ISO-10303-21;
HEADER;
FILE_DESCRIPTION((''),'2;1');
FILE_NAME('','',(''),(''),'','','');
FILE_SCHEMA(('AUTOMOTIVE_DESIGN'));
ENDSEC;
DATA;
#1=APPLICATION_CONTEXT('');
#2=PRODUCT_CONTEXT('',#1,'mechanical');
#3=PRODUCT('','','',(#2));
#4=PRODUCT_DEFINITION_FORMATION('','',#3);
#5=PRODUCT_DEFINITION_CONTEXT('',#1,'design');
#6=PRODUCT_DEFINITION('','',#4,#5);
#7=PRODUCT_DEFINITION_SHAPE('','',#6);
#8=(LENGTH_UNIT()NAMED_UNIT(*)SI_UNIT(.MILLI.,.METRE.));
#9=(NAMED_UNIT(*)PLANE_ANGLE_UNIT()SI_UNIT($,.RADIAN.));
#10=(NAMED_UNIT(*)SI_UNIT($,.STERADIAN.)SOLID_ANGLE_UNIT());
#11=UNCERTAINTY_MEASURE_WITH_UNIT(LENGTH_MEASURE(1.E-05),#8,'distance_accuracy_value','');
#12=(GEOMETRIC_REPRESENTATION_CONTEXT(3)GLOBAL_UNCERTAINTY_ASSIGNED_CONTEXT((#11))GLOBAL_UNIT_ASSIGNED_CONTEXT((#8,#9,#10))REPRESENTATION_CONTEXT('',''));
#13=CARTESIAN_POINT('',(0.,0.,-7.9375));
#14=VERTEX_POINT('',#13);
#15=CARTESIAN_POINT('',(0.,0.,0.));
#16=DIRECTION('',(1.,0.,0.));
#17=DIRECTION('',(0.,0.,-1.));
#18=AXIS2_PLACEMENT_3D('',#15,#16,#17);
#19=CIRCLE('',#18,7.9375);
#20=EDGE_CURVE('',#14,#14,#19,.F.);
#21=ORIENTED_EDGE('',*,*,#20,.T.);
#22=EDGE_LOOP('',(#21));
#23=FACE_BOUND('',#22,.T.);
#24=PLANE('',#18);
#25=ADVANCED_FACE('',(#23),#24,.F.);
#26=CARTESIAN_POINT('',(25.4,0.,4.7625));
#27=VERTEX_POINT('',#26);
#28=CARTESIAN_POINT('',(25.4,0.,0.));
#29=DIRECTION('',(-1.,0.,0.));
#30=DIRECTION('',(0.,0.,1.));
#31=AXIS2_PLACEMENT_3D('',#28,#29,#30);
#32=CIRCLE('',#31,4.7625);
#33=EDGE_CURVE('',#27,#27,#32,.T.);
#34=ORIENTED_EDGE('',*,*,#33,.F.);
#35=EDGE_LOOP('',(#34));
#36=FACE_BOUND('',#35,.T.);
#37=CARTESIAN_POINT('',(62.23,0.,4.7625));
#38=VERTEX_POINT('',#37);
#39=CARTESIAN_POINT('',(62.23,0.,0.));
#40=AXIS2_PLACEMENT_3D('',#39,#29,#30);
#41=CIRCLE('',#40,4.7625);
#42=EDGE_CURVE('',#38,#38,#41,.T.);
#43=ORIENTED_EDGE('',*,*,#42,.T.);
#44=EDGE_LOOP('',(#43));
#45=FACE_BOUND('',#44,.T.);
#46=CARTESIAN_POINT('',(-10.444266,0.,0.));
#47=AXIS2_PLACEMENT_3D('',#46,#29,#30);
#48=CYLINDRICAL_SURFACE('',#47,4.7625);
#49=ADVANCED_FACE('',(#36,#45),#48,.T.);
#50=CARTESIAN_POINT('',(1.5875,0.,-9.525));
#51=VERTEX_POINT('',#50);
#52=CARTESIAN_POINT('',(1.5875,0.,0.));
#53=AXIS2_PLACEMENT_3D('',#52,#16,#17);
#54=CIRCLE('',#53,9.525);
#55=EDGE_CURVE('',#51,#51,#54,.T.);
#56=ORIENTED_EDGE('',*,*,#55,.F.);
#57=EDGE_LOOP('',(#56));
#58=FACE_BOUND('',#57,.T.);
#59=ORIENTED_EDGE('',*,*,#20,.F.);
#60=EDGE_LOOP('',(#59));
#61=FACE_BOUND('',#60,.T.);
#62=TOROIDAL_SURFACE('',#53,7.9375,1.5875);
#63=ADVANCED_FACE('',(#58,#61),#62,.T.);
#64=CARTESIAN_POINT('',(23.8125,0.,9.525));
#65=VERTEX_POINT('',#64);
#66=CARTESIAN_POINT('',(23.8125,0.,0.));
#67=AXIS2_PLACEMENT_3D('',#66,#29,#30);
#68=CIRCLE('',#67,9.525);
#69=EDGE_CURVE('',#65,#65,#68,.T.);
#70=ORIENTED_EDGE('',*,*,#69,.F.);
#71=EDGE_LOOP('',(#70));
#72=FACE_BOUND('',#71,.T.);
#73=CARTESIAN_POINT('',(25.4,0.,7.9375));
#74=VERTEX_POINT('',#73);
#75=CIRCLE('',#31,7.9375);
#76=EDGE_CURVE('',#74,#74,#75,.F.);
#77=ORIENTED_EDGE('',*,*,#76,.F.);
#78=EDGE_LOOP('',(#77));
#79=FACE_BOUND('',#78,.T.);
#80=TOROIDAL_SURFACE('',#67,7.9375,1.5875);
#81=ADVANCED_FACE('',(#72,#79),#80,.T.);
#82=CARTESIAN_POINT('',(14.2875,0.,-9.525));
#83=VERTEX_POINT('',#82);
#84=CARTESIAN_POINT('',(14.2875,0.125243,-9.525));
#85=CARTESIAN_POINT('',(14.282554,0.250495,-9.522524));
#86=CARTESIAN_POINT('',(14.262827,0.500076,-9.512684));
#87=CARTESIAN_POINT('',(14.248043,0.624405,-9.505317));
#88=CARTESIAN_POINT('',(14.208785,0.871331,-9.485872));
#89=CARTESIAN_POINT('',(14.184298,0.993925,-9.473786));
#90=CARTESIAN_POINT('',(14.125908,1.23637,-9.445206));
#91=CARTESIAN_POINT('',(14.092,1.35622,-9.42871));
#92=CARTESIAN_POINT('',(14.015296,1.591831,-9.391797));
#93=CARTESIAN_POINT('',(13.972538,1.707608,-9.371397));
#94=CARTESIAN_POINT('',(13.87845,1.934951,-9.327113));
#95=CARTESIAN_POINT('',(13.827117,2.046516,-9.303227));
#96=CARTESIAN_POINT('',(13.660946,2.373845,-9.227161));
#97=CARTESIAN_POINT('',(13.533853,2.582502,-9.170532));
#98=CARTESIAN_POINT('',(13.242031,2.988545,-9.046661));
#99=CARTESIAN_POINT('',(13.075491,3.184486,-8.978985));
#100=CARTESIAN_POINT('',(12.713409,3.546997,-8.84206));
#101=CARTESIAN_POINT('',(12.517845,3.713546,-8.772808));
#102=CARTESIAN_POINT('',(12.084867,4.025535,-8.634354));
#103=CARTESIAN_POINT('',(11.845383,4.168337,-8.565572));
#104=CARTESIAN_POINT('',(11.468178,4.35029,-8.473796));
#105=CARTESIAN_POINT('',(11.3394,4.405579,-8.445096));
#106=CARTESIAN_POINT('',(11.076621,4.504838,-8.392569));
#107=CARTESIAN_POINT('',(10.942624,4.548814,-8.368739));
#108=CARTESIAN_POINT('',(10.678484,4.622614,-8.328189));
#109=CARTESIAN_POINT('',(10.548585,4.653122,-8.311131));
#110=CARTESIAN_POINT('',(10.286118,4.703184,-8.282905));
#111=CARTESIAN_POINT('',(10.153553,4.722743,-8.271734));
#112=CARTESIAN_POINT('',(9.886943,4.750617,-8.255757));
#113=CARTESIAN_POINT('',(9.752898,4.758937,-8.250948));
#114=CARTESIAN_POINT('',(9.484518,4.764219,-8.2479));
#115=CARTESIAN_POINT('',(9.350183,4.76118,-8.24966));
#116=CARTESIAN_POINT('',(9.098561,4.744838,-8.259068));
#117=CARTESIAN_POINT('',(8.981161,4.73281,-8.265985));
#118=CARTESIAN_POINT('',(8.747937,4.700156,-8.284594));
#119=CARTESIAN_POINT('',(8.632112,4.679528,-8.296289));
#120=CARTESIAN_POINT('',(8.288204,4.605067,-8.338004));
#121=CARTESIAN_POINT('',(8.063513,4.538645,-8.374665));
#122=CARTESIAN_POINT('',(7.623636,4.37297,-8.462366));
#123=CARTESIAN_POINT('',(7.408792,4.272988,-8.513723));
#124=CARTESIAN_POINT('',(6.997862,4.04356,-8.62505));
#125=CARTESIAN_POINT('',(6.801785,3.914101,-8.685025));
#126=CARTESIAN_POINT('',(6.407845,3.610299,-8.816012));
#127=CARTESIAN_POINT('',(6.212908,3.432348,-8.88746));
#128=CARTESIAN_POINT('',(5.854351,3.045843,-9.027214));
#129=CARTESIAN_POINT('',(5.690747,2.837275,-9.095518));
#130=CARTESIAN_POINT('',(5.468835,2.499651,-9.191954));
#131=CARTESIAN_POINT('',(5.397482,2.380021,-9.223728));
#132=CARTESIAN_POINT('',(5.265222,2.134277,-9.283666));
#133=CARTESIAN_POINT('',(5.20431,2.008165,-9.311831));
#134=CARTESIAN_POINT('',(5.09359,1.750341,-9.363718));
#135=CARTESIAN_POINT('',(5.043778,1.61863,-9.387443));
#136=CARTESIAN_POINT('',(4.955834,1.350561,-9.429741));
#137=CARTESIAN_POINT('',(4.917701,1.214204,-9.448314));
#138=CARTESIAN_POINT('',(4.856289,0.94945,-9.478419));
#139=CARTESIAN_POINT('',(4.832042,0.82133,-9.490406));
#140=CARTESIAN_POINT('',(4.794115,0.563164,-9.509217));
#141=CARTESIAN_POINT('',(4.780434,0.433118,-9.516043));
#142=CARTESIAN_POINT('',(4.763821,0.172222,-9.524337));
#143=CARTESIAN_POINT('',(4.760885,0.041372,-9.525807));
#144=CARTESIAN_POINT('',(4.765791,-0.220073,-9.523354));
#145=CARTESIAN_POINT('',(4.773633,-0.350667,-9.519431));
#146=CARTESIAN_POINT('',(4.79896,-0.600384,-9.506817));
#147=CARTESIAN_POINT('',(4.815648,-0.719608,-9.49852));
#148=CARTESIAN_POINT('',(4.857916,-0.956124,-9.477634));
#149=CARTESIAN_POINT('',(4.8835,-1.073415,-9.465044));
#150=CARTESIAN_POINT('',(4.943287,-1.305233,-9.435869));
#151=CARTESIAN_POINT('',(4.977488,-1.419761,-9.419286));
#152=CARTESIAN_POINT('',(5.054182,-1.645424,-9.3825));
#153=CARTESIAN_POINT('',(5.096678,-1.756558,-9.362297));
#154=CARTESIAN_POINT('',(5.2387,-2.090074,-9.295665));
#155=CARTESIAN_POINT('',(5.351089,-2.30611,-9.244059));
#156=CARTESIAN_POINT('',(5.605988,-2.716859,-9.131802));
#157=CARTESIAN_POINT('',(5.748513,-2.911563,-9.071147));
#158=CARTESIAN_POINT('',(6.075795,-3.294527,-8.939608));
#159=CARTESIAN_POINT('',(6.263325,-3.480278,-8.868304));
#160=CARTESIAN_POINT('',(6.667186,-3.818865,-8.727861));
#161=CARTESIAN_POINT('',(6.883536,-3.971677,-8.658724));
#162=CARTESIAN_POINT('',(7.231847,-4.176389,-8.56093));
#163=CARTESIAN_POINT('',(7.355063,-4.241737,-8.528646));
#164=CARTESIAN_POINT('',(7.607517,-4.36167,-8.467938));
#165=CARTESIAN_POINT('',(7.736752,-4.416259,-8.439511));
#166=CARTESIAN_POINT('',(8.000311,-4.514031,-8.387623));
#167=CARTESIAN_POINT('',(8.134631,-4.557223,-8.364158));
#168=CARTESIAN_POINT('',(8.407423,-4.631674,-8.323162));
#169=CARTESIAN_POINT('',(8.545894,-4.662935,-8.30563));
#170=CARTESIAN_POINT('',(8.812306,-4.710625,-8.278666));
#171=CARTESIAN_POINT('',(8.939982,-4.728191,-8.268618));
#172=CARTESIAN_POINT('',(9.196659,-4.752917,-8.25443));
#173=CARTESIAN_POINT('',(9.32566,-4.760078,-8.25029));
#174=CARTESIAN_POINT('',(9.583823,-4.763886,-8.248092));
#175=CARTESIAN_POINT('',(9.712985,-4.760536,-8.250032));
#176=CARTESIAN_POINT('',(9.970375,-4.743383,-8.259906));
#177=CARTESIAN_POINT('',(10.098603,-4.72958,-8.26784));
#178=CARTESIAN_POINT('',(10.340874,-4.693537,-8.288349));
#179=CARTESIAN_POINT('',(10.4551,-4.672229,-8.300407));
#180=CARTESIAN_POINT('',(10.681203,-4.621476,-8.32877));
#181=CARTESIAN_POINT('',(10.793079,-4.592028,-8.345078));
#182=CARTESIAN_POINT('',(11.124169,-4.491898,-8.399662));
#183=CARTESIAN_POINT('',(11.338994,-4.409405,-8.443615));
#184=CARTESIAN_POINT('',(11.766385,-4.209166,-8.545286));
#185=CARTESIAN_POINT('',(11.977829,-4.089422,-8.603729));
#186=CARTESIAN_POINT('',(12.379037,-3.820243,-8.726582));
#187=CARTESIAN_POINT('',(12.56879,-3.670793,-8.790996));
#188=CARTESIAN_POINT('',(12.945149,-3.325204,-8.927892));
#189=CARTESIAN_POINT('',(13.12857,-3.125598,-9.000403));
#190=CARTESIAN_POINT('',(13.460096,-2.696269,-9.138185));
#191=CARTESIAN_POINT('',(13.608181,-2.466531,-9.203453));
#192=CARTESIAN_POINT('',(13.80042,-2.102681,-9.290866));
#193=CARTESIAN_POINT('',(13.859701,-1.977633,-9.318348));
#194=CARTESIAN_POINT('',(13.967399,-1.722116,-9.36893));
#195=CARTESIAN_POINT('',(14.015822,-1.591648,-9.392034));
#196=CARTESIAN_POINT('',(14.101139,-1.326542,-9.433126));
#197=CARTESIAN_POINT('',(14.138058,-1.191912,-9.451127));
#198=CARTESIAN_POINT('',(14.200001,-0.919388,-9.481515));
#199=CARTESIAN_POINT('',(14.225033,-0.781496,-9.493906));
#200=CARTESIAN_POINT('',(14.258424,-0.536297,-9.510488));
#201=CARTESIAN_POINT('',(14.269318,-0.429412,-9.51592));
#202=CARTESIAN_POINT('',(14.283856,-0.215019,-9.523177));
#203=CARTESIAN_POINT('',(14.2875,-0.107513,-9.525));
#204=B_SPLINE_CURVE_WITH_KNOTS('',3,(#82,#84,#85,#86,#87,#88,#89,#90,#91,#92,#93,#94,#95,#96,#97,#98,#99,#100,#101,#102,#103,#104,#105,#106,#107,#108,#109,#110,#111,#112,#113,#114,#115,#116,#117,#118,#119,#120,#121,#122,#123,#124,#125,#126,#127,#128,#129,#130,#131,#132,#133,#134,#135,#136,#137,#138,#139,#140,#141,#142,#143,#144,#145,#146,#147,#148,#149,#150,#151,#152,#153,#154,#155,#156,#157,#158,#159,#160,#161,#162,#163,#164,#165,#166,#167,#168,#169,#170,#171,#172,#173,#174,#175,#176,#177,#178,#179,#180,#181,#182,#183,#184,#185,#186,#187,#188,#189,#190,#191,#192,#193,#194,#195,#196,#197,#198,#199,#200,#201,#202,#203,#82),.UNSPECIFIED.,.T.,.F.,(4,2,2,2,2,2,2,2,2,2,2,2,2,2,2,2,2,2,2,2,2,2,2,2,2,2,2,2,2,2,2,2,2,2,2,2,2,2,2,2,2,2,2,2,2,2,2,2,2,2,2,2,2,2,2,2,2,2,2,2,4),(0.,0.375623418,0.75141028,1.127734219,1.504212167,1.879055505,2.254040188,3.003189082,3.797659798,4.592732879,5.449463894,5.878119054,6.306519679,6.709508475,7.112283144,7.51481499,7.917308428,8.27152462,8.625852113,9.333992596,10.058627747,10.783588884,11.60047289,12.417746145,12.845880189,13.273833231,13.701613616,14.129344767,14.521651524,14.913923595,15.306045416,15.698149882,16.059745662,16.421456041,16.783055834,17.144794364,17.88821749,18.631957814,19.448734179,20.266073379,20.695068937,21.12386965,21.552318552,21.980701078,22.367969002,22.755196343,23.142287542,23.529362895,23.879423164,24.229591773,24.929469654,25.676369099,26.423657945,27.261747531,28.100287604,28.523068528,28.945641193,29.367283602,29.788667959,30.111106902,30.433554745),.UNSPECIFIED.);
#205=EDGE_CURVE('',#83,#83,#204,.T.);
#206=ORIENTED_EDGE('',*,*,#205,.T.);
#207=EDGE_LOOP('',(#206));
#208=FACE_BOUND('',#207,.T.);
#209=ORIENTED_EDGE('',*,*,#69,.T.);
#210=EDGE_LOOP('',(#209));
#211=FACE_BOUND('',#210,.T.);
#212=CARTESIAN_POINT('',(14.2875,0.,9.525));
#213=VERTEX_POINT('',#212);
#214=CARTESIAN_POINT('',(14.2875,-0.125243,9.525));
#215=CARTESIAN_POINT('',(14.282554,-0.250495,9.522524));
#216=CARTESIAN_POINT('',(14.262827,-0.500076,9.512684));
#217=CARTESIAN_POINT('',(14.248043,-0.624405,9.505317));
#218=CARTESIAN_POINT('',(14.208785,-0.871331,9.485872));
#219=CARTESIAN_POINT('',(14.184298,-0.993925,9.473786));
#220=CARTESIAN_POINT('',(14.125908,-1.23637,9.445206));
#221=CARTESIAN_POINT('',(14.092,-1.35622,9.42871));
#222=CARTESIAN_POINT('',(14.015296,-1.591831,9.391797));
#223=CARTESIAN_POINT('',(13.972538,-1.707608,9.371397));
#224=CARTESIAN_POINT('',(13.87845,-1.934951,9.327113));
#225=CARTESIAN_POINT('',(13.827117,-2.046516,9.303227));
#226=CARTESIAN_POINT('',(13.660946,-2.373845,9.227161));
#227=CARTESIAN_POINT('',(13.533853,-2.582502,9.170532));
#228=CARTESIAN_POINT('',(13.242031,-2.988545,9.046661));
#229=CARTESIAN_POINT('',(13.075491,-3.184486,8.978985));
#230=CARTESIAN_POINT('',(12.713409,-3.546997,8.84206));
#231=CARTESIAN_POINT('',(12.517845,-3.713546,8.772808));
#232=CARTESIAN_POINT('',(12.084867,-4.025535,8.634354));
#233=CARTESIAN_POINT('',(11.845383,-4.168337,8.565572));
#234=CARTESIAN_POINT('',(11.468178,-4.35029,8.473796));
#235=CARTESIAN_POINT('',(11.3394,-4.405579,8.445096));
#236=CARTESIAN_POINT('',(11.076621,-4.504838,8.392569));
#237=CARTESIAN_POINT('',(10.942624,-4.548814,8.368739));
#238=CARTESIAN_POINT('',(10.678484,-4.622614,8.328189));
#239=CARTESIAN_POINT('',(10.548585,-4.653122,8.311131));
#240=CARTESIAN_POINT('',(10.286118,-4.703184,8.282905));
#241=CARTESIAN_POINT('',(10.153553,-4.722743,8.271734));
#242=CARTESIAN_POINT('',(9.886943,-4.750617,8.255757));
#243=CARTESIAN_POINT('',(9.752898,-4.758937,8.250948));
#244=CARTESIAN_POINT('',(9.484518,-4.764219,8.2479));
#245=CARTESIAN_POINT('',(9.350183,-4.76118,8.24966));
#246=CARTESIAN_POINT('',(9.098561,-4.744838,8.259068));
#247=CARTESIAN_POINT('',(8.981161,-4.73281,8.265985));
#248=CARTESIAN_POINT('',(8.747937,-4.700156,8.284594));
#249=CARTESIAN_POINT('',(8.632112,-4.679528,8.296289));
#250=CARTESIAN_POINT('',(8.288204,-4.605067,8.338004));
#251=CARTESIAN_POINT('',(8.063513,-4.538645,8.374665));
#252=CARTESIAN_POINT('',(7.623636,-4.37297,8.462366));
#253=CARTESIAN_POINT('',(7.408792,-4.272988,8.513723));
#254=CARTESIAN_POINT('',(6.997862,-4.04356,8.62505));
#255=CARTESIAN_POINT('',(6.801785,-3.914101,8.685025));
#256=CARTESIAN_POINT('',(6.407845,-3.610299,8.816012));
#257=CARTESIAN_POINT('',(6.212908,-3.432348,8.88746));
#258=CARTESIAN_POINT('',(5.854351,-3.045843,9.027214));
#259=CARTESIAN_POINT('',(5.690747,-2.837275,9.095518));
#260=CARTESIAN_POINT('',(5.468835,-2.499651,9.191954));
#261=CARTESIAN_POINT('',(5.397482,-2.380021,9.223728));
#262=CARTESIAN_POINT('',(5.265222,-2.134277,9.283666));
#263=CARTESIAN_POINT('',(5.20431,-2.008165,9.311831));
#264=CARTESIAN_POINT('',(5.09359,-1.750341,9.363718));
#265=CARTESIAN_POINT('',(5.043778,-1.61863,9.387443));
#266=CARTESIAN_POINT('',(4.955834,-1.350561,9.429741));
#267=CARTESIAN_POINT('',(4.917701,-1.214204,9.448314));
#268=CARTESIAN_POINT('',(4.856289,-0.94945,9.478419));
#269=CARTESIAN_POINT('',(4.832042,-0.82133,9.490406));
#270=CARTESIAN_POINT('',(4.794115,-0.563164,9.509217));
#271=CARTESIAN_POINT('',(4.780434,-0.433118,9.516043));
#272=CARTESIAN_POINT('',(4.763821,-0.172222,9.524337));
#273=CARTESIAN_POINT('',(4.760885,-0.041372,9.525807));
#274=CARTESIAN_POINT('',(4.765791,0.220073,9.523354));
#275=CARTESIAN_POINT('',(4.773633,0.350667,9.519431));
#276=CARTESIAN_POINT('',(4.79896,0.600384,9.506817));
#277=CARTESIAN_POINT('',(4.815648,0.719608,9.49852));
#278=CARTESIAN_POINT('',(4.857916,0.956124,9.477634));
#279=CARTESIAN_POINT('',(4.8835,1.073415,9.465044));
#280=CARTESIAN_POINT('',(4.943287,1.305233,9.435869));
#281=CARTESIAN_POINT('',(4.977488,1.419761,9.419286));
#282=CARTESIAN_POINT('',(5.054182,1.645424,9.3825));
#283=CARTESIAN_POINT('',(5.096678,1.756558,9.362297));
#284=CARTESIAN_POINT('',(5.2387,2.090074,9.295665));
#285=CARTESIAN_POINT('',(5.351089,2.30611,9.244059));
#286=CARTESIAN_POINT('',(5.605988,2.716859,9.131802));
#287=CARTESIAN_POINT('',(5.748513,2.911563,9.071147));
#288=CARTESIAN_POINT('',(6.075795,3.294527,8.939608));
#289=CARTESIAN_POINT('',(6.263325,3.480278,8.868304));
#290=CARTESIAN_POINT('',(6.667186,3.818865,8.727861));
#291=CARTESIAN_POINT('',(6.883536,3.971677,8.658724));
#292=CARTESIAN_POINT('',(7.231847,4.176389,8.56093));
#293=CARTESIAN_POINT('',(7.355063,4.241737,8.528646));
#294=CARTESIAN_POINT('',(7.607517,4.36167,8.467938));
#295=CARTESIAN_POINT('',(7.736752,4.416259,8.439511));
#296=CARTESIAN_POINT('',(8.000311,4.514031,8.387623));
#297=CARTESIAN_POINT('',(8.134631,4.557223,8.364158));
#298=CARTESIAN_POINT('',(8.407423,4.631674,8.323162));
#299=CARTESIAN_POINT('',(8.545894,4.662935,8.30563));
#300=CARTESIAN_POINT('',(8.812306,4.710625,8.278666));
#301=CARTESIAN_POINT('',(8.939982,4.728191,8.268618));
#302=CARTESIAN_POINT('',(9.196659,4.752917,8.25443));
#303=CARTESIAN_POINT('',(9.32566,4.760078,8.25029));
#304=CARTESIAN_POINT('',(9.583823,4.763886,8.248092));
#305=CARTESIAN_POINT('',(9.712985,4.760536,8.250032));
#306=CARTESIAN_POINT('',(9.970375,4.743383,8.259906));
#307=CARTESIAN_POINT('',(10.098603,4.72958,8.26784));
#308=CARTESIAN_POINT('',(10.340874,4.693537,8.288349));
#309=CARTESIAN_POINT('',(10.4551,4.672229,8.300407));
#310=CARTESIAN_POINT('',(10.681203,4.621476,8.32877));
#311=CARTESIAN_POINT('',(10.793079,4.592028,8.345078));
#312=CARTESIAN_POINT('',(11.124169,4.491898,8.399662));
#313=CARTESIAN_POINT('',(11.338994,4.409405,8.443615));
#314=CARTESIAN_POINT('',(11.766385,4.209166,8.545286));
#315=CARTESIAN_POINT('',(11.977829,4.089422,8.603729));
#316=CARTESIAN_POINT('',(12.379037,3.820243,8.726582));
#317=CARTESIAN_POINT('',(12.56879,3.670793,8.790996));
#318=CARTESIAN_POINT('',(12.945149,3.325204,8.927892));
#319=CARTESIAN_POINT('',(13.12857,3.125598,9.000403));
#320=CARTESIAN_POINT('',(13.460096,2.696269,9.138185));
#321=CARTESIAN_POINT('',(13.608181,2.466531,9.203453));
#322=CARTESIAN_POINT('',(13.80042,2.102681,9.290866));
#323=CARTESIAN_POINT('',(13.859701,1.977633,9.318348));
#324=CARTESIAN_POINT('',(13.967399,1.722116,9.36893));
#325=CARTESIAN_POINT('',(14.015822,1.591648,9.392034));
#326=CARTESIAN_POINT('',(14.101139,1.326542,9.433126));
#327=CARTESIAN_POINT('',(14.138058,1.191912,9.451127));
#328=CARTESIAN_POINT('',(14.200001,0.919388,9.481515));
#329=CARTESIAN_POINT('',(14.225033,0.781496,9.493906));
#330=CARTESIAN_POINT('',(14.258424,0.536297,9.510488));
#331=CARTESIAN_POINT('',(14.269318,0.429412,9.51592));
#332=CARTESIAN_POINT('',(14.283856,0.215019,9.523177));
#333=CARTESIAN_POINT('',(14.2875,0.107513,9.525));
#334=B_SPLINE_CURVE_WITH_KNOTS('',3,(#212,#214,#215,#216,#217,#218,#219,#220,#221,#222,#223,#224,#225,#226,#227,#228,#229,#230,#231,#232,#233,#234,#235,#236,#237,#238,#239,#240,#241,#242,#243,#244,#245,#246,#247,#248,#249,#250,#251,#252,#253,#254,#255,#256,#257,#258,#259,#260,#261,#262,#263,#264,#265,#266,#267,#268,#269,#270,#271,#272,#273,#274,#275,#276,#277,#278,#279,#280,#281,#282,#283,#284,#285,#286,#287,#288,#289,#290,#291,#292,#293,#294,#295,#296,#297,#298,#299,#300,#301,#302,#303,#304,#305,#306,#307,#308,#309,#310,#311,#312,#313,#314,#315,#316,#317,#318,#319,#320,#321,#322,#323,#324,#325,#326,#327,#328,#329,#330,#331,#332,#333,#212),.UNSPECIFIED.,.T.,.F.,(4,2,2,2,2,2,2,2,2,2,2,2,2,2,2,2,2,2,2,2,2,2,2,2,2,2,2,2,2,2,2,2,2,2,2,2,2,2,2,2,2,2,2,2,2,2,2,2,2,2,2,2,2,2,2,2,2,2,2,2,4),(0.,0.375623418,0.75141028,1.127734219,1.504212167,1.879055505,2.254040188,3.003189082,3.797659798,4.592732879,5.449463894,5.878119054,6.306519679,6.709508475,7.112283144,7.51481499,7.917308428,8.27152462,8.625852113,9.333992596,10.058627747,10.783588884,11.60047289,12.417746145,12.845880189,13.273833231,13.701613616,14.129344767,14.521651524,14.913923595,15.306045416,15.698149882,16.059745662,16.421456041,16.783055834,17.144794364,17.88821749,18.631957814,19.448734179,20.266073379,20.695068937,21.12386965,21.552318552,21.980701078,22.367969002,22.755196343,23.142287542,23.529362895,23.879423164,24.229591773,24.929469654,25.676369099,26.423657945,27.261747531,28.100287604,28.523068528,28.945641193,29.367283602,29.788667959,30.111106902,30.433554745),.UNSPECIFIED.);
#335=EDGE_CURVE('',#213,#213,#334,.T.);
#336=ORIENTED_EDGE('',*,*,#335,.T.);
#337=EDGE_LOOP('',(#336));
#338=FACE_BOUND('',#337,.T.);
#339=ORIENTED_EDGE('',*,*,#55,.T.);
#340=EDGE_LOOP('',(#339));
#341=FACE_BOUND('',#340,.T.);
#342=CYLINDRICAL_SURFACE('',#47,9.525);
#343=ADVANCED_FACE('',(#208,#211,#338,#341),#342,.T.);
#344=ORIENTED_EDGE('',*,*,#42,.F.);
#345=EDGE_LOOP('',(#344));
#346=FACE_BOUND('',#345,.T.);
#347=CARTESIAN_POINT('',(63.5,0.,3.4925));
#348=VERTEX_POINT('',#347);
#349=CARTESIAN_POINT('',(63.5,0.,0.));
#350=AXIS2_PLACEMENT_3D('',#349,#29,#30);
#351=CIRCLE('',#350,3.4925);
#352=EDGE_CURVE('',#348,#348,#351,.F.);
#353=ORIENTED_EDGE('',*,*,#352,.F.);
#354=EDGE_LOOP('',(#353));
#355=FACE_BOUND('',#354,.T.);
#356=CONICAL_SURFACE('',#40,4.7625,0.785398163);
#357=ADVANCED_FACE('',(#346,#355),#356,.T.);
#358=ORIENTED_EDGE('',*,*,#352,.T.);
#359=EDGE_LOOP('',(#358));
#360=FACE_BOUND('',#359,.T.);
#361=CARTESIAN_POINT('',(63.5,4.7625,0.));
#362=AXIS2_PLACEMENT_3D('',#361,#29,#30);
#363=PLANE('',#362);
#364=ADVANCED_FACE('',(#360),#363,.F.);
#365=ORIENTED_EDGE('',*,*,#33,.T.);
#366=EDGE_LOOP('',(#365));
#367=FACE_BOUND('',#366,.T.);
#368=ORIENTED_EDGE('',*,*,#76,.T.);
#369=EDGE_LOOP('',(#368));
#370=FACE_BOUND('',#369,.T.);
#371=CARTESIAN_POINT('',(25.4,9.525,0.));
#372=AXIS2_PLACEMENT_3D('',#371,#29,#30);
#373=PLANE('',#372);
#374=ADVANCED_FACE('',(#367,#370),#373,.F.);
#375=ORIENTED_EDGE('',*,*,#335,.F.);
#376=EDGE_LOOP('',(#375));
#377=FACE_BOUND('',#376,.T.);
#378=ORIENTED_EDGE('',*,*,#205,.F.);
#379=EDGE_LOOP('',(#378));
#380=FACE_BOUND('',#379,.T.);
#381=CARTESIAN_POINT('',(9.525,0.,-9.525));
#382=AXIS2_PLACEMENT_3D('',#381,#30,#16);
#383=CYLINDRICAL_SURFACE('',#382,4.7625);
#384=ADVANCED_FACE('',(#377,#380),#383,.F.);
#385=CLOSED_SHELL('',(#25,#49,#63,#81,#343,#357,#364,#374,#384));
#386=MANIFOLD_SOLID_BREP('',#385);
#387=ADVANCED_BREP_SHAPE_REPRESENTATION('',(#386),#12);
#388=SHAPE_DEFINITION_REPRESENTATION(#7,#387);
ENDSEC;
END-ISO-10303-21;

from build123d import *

# Parameters (mm, degrees)
FILLET1_R          = 1.5875
SKETCH2_R          = 4.7625
CUT_EXTRUDE2_DEPTH = 68.160068865
CHAMFER1_SIZE      = 1.27


with BuildPart() as part:
    # Sketch1 → Revolve1 (revolve)
    with BuildSketch(Plane.XY, mode=Mode.PRIVATE) as revolve1_sk:
        Polygon((0, 0), (0, 9.525), (25.4, 9.525), (25.4, 4.7625), (63.5, 4.7625), (63.5, 0), align=None)
    revolve(revolve1_sk.sketch.rotate(Axis((-10.444266115, 0, 0), (1, 0, 0)), 90), axis=Axis((-10.444266115, 0, 0), (1, 0, 0)))

    # Fillet1
    fillet1_edges = [part.edges().sort_by_distance(p)[0] for p in [
        (25.4, 0, -9.525),
        (0, 0, -9.525),
    ]]
    fillet(fillet1_edges, radius=FILLET1_R)

    # Sketch2 → Cut-Extrude2 (cut, through all)
    with BuildSketch(Plane.XY.offset(10.16)):
        with Locations((9.525, 0)):
            Circle(SKETCH2_R)
    extrude(amount=-CUT_EXTRUDE2_DEPTH, mode=Mode.SUBTRACT)

    # Chamfer1
    chamfer1_edges = [part.edges().sort_by_distance(p)[0] for p in [
        (63.5, 0, -4.7625),
    ]]
    chamfer(chamfer1_edges, length=CHAMFER1_SIZE)


solid = part.part
